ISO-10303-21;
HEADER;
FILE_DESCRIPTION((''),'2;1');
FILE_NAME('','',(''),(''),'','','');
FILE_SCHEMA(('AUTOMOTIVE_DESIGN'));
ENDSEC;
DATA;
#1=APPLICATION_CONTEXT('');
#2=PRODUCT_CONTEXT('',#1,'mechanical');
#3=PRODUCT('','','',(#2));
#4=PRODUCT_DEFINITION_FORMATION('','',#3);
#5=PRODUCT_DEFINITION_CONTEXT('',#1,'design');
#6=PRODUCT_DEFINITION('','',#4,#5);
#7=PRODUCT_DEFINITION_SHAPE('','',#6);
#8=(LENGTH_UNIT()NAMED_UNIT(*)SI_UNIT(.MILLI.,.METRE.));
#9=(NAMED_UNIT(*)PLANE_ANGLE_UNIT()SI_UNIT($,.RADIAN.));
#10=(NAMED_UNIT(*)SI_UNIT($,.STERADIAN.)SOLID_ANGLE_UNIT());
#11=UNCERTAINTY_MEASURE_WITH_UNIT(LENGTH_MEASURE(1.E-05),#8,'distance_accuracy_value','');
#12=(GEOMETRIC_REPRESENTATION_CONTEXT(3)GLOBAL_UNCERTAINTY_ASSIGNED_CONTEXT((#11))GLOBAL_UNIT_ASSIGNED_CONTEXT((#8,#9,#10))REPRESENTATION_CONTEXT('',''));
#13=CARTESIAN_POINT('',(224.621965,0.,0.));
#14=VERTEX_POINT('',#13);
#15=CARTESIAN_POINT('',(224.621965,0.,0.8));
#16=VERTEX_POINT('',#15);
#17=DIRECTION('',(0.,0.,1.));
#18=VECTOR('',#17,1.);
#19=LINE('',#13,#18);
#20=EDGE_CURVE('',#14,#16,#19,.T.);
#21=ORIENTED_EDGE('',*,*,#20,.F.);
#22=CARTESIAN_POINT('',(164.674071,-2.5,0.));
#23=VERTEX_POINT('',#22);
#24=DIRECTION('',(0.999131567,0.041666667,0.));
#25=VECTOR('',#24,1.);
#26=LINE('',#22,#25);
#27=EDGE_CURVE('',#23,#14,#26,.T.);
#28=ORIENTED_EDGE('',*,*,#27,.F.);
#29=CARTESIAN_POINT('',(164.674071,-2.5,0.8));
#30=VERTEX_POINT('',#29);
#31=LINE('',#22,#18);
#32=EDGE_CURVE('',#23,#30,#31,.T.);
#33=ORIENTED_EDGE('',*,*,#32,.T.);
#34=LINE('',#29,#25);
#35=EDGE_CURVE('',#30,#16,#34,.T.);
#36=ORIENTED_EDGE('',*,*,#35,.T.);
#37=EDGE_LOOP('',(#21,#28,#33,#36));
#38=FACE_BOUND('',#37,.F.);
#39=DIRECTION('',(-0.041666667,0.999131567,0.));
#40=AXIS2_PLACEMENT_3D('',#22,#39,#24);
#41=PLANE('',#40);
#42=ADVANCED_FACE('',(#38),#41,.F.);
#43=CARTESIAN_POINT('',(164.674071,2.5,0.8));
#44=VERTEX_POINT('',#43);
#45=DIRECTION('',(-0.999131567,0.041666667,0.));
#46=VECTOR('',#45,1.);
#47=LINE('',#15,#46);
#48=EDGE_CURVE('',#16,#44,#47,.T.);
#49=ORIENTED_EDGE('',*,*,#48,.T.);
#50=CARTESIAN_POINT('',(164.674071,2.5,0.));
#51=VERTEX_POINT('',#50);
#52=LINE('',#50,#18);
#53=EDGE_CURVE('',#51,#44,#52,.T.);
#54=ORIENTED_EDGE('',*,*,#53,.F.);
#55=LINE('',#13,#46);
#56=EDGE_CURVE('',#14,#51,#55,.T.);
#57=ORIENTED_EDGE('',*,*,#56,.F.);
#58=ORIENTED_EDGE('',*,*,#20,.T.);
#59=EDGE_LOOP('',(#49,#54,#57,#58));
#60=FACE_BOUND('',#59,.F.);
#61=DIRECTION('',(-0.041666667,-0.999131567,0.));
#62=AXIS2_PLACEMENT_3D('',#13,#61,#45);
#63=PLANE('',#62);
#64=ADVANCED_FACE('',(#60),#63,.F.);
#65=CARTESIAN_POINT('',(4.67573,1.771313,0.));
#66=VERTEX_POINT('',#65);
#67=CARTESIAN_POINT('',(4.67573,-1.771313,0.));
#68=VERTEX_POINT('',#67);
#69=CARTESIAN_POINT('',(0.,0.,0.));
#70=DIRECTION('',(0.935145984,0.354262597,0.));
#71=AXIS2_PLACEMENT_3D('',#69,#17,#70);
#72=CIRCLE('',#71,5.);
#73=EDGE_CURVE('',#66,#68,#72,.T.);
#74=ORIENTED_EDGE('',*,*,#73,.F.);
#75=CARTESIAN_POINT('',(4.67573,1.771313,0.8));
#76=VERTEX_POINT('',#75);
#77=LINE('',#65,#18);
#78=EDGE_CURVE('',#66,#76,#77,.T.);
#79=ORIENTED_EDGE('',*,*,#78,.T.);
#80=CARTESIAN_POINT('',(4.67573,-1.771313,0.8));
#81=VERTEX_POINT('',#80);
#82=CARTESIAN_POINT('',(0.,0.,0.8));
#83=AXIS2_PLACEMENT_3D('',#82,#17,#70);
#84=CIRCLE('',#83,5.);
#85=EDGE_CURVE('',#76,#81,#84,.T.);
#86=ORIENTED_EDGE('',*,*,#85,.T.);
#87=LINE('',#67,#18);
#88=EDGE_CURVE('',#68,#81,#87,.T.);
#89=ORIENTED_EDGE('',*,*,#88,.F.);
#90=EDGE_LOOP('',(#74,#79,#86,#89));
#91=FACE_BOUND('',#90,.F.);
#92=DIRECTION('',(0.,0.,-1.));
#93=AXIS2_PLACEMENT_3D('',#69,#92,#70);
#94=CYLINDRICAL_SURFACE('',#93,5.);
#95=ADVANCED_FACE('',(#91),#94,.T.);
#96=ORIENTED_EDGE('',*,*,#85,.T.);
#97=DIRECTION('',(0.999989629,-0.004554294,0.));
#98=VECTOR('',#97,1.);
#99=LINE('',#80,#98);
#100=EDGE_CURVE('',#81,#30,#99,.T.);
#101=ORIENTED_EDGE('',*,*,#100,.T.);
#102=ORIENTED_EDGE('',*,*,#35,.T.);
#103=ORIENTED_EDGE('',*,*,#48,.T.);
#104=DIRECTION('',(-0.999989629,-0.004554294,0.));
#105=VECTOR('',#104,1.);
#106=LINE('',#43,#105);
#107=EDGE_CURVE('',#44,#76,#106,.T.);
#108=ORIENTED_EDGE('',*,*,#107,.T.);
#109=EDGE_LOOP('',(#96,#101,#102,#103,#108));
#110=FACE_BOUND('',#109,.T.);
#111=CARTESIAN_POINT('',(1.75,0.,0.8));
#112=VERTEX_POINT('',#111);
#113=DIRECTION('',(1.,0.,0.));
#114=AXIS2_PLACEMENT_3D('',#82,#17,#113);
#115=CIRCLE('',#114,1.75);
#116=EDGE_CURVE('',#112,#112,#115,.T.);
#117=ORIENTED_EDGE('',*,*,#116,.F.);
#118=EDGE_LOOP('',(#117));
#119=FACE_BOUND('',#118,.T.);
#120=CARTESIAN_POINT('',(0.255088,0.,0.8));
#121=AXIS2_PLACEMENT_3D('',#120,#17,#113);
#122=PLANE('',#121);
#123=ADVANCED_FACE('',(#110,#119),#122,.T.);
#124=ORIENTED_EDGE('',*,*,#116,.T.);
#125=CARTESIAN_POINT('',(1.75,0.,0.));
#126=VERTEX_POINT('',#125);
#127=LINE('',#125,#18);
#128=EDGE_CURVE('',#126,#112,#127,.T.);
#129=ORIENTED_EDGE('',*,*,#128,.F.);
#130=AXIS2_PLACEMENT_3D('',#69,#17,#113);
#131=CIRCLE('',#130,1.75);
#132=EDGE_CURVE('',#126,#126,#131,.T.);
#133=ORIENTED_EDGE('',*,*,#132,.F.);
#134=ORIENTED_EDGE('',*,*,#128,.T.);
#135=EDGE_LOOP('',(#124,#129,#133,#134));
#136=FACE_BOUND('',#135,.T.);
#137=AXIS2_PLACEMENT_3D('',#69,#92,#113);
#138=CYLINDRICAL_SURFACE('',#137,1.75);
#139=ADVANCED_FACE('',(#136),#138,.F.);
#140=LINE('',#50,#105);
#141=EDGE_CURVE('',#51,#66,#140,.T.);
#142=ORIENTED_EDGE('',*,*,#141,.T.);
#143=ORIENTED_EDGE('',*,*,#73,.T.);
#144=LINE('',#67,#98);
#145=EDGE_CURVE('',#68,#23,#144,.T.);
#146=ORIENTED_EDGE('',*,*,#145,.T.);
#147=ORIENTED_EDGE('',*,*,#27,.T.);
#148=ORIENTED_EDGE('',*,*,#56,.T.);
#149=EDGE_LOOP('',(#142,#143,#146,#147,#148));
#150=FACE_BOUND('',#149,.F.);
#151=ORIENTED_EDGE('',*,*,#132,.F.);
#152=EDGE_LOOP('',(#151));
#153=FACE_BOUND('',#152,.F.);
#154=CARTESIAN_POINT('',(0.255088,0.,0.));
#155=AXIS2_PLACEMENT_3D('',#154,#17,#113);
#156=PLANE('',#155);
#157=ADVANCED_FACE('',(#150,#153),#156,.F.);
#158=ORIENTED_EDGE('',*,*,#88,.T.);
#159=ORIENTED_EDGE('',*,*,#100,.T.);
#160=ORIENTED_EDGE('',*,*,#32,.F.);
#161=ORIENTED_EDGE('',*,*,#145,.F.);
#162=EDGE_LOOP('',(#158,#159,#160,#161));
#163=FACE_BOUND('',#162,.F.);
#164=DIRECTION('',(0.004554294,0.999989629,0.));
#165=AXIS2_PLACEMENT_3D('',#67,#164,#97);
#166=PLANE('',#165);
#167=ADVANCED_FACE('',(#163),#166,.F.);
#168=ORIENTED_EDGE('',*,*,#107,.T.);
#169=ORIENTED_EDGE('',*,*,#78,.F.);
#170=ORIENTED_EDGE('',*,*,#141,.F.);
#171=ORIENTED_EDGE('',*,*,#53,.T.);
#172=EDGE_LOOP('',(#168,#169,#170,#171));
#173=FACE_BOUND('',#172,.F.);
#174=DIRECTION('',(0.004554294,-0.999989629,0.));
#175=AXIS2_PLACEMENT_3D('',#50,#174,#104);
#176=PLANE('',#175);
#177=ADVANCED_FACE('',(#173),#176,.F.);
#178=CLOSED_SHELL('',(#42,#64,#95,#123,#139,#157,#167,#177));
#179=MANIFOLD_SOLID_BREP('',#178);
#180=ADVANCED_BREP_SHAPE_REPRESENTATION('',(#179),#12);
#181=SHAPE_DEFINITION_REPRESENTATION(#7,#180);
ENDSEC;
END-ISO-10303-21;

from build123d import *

# Parameters (mm, degrees)
F0_R     = 1.75
F1_DEPTH = 0.8


with BuildPart() as f1:
    # F0 (on Top) → F1 (new body)
    with BuildSketch(Plane.XY):
        with BuildLine():
            ThreePointArc((4.67573, -1.771313), (4.918264, -0.900375), (5, 0))
            ThreePointArc((5, 0), (4.918264, 0.900375), (4.67573, 1.771313))
            ThreePointArc((4.67573, 1.771313), (-5, 0), (4.67573, -1.771313))
        make_face()
        Circle(F0_R, mode=Mode.SUBTRACT)
        with BuildLine():
            ThreePointArc((4.67573, 1.771313), (4.918264, 0.900375), (5, 0))
            ThreePointArc((5, 0), (4.918264, -0.900375), (4.67573, -1.771313))
            Line((4.67573, -1.771313), (164.674071, -2.5))
            Line((164.674071, -2.5), (224.621965, 0))
            Line((224.621965, 0), (164.674071, 2.5))
            Line((164.674071, 2.5), (4.67573, 1.771313))
        make_face()
    extrude(amount=F1_DEPTH)


solid = f1.part
